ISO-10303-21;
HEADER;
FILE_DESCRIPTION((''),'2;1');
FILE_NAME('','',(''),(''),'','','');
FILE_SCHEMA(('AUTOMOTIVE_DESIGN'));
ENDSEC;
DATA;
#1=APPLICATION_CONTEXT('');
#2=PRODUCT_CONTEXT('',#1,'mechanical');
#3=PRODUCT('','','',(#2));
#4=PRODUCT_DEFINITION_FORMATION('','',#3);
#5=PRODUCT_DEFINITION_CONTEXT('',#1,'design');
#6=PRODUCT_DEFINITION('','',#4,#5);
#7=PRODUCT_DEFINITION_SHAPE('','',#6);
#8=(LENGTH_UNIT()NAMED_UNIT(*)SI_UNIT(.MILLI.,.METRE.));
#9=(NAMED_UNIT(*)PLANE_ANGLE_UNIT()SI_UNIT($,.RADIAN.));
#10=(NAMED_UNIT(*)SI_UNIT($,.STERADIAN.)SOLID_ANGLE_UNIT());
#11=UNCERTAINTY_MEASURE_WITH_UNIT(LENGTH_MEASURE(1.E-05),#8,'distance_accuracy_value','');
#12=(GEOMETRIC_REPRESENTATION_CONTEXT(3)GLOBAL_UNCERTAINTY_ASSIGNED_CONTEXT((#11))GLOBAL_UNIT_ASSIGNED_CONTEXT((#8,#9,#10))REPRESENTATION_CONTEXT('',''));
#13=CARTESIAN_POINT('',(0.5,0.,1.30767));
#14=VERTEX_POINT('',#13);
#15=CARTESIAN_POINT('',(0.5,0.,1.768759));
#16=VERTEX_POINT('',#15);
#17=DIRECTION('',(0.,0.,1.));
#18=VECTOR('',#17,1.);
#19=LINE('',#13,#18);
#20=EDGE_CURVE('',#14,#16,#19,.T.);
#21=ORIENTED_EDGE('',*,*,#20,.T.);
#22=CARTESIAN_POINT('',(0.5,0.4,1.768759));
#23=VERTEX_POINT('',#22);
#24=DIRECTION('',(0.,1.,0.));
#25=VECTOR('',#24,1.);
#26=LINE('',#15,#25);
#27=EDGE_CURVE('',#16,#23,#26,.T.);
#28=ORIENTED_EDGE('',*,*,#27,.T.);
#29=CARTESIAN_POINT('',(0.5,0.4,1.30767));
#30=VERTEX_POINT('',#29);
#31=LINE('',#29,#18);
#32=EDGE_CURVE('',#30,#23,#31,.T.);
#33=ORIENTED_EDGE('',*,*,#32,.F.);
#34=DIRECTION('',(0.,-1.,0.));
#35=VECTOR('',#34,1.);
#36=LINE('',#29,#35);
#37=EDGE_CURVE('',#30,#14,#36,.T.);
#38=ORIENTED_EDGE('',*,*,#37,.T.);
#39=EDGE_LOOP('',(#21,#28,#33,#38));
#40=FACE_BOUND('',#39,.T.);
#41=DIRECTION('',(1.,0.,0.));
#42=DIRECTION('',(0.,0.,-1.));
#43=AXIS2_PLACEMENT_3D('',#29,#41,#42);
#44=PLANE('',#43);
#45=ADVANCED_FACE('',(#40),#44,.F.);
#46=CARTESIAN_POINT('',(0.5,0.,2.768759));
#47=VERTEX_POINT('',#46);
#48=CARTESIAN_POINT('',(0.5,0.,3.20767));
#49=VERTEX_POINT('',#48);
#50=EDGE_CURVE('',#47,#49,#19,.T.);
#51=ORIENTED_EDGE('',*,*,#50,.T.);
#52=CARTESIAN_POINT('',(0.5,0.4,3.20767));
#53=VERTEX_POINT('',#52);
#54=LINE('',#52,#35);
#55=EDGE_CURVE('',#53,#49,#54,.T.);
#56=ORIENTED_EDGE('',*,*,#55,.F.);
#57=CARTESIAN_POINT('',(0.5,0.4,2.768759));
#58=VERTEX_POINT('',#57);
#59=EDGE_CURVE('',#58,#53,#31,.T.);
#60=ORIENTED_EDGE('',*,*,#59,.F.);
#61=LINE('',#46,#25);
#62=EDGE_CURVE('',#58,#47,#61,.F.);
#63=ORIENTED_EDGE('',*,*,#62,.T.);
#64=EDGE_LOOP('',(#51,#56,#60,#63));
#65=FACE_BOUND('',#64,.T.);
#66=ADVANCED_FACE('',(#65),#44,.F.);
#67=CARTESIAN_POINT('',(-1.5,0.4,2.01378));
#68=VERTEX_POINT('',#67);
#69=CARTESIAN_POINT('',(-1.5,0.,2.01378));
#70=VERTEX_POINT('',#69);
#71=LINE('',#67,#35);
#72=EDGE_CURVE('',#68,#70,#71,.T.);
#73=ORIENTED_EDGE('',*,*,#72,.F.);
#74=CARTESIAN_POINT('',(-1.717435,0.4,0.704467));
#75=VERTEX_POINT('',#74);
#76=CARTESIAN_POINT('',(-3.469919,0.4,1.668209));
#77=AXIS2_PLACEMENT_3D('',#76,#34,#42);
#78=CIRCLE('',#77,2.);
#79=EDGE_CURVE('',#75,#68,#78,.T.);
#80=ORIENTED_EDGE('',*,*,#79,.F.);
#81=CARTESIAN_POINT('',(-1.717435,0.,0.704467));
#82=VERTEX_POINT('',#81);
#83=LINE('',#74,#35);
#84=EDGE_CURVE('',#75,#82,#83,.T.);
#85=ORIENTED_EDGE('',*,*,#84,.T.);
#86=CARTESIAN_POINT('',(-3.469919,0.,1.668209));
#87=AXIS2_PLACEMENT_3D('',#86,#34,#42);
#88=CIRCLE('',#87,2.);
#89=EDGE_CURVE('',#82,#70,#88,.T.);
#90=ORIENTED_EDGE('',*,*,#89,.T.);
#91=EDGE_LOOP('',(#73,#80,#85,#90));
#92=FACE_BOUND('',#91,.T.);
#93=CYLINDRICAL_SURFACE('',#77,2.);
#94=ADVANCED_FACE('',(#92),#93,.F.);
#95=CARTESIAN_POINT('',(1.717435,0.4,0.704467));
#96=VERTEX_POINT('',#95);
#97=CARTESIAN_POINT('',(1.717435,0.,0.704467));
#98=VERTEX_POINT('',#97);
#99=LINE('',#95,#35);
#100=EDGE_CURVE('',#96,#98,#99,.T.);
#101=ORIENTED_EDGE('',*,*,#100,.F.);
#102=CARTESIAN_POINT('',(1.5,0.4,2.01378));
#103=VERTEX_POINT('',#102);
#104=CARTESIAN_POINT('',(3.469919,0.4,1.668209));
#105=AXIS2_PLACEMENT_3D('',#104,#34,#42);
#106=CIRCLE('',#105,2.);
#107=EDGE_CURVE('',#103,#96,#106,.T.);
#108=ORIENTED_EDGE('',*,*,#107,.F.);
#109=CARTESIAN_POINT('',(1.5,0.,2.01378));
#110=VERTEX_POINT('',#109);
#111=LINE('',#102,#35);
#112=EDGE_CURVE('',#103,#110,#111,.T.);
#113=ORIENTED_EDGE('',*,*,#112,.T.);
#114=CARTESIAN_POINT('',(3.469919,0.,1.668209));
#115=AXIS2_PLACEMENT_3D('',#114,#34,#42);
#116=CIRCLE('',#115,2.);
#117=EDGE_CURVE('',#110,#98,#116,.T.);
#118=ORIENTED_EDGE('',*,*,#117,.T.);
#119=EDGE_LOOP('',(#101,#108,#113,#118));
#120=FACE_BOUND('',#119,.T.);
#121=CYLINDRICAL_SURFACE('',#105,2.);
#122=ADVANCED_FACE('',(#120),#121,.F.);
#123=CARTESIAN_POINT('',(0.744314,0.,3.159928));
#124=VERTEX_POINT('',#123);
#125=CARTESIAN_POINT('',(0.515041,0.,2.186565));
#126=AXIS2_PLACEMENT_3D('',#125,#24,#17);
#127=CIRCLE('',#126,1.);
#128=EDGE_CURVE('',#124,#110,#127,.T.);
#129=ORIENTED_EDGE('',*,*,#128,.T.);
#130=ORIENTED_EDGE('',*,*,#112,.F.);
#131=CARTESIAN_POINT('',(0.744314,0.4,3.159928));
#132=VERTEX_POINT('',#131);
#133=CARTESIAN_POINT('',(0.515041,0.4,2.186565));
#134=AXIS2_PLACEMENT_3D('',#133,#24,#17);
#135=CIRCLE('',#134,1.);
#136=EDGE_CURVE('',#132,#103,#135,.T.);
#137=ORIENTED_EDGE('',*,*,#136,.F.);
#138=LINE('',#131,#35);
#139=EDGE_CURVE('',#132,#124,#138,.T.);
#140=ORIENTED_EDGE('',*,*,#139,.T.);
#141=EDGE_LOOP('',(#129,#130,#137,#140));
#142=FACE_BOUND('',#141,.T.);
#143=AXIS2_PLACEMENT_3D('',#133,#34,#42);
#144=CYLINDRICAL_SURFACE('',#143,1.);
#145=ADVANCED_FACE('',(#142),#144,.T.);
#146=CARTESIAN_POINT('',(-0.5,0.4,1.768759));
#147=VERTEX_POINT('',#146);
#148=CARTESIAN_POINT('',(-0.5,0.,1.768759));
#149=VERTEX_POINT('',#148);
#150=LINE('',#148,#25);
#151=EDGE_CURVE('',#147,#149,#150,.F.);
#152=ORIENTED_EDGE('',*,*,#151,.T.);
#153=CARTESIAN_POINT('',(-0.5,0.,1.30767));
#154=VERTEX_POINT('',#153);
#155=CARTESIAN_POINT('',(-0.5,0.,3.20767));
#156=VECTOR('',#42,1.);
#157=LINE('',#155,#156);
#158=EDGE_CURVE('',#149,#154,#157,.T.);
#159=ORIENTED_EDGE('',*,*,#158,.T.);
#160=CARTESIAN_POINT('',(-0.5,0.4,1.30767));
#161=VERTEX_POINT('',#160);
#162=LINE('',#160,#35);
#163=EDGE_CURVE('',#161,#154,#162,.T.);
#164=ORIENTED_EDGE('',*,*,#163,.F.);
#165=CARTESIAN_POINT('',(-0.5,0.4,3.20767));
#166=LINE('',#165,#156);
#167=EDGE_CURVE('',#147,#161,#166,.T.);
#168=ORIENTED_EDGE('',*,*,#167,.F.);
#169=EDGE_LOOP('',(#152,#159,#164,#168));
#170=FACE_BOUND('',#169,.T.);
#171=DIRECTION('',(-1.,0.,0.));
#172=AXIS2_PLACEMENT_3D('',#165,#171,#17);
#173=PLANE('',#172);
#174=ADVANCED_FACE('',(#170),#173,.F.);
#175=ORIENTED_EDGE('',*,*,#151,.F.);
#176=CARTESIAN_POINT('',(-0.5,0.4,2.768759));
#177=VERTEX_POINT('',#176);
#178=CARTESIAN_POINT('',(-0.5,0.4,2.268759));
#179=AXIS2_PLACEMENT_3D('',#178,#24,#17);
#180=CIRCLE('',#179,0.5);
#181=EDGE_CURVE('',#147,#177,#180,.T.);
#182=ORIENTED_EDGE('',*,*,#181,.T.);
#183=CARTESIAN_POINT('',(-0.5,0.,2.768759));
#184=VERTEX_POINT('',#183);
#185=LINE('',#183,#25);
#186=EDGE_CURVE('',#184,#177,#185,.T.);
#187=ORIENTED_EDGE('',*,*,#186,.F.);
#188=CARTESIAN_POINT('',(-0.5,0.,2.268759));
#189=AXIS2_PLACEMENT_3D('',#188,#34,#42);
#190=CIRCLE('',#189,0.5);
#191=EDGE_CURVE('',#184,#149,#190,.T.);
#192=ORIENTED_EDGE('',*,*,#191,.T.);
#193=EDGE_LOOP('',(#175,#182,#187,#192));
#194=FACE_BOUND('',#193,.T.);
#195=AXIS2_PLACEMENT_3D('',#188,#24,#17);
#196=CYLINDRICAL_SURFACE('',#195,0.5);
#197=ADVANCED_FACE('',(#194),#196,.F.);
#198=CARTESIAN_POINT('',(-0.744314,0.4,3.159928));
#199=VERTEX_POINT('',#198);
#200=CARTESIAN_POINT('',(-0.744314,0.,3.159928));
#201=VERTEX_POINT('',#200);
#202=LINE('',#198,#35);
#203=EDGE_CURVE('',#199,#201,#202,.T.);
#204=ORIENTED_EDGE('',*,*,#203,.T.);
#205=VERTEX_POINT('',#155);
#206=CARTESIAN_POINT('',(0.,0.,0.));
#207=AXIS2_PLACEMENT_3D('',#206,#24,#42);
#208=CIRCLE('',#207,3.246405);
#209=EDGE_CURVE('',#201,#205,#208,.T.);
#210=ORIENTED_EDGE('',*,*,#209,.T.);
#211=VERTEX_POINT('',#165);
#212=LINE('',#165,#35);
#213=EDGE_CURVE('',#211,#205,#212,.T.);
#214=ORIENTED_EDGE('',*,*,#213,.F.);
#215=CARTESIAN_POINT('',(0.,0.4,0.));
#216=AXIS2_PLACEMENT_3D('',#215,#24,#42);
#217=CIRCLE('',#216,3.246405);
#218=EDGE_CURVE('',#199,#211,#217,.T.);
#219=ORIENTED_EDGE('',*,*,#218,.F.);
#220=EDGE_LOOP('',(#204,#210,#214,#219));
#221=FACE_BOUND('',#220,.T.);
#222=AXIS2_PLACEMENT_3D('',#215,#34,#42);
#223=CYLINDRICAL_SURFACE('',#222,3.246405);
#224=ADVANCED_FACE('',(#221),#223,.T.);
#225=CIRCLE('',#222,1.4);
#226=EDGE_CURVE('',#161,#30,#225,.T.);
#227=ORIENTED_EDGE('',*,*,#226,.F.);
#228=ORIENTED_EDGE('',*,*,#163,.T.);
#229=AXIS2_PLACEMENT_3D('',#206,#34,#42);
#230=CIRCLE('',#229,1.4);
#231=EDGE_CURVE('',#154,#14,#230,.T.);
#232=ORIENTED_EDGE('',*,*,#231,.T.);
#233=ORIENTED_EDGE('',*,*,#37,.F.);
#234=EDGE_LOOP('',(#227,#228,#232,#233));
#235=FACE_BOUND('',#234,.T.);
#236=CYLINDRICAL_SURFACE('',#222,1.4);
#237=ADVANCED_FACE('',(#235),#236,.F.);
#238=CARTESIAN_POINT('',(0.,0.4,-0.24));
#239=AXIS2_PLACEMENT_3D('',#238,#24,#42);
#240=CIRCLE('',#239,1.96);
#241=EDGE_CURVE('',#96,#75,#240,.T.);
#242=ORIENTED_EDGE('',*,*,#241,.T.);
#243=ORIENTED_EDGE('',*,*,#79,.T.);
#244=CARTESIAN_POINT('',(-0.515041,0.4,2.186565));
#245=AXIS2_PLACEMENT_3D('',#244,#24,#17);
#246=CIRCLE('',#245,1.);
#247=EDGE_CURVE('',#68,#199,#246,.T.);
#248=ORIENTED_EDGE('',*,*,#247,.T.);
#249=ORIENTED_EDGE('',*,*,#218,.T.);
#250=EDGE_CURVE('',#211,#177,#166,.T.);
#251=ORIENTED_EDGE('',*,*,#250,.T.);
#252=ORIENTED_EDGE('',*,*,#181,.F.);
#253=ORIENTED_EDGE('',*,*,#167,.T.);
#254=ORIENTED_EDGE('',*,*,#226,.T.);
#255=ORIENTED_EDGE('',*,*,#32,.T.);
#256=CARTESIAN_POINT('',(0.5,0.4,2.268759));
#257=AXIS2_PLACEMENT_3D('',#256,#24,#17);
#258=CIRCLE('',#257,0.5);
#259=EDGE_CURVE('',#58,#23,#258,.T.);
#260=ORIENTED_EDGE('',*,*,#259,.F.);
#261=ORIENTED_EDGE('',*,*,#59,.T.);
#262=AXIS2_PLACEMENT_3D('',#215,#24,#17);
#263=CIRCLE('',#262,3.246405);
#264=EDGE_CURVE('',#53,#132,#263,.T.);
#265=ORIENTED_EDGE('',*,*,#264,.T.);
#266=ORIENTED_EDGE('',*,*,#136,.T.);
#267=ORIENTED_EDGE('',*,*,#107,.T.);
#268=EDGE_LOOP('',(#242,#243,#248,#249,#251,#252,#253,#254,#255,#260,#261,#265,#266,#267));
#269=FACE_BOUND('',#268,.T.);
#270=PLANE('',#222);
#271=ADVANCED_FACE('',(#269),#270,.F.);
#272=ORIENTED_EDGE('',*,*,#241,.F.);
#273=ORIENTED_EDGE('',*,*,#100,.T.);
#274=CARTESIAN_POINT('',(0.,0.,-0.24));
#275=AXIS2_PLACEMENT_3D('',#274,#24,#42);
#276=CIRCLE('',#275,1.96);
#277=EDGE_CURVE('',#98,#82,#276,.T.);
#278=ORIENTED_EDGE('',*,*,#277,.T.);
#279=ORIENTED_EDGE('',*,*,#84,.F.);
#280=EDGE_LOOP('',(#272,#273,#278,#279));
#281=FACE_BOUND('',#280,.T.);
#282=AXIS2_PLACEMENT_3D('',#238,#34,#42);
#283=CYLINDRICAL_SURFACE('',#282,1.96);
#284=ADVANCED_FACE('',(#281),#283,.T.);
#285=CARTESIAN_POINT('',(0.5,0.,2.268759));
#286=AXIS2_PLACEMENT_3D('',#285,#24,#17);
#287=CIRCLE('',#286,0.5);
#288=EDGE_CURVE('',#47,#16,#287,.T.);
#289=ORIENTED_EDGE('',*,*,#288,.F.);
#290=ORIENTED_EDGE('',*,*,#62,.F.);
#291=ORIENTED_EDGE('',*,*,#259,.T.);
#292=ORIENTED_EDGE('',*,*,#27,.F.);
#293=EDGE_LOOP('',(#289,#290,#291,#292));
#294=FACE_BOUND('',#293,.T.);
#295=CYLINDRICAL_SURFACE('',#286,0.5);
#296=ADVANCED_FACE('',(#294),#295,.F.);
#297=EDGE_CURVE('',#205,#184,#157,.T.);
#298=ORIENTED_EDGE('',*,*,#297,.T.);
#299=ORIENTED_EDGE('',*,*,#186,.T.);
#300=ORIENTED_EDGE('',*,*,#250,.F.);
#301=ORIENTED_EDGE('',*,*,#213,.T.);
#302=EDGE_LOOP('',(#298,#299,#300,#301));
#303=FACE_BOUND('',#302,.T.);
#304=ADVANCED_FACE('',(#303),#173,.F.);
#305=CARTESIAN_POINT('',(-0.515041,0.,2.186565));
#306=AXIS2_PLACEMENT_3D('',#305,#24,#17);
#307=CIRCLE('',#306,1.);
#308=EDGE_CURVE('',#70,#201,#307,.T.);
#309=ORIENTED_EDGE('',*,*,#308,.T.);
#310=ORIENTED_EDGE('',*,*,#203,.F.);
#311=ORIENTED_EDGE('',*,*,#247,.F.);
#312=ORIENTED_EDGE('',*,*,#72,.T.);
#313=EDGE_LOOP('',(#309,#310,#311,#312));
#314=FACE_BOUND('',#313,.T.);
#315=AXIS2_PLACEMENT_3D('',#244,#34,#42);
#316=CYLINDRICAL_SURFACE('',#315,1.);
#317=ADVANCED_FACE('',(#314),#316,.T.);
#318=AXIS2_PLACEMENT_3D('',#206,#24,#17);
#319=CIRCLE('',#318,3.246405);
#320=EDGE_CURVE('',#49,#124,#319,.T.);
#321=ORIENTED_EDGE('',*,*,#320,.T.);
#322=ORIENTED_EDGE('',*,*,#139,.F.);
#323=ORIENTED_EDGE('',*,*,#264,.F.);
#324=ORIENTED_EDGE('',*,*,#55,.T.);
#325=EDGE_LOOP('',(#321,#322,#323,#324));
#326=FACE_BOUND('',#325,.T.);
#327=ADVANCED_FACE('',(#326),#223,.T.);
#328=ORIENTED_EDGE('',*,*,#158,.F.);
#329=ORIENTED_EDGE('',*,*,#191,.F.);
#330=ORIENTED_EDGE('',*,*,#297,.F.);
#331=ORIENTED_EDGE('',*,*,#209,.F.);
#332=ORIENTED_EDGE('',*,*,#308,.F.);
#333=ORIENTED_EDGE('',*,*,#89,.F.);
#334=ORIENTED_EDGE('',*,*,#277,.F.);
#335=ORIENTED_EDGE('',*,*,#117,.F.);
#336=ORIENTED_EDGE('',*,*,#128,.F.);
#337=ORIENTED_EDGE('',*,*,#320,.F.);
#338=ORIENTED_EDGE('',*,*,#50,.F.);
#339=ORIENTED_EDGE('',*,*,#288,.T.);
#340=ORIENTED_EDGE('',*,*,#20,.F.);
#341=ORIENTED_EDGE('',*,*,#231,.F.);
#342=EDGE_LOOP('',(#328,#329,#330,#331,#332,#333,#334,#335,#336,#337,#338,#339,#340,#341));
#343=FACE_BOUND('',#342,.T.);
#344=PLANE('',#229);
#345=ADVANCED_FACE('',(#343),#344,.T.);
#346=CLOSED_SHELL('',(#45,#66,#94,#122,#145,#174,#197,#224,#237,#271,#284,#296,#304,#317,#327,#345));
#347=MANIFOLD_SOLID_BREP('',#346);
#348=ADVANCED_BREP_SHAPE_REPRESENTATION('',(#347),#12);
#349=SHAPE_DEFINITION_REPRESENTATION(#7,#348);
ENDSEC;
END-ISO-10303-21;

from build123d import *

# Parameters (mm, degrees)
EXTRUDE_1_DEPTH     = 0.4
SKETCH_2_R          = 0.5
CUT_EXTRUDE_1_DEPTH = 4.780310145


with BuildPart() as part:
    # 草图1 → 凸台-拉伸1 (new body)
    with BuildSketch(Plane(origin=(0, 0, 0), x_dir=(1, 0, 0), z_dir=(0, 1, 0))):
        with BuildLine():
            Line((-0.5, -3.207669683), (-0.5, -1.307669683))
            ThreePointArc((-0.5, -1.307669683), (0, 1.4), (0.5, -1.307669683))
            Line((0.5, -1.307669683), (0.5, -3.207669683))
            ThreePointArc((0.5, -3.207669683), (0.622614647, -3.186141208), (0.744313737, -3.159927508))
            ThreePointArc((0.744313737, -3.159927508), (1.349908047, -2.737016303), (1.5, -2.013779993))
            ThreePointArc((1.5, -2.013779993), (1.496939857, -1.340560945), (1.717434649, -0.704467165))
            ThreePointArc((1.717434649, -0.704467165), (0, 2.2), (-1.717434649, -0.704467165))
            ThreePointArc((-1.717434649, -0.704467165), (-1.496939857, -1.340560945), (-1.5, -2.013779993))
            ThreePointArc((-1.5, -2.013779993), (-1.349908047, -2.737016303), (-0.744313737, -3.159927508))
            ThreePointArc((-0.744313737, -3.159927508), (-0.622614647, -3.186141208), (-0.5, -3.207669683))
        make_face()
    extrude(amount=EXTRUDE_1_DEPTH)

    # 草图2 → 切除-拉伸1 (cut, through all)
    with BuildSketch(Plane(origin=(0, 0.4, 0), x_dir=(1, 0, 0), z_dir=(0, 1, 0))):
        with Locations((-0.5, -2.268759492)):
            Circle(SKETCH_2_R)
        with Locations((0.5, -2.268759492)):
            Circle(SKETCH_2_R)
    extrude(amount=-CUT_EXTRUDE_1_DEPTH, mode=Mode.SUBTRACT)


solid = part.part
